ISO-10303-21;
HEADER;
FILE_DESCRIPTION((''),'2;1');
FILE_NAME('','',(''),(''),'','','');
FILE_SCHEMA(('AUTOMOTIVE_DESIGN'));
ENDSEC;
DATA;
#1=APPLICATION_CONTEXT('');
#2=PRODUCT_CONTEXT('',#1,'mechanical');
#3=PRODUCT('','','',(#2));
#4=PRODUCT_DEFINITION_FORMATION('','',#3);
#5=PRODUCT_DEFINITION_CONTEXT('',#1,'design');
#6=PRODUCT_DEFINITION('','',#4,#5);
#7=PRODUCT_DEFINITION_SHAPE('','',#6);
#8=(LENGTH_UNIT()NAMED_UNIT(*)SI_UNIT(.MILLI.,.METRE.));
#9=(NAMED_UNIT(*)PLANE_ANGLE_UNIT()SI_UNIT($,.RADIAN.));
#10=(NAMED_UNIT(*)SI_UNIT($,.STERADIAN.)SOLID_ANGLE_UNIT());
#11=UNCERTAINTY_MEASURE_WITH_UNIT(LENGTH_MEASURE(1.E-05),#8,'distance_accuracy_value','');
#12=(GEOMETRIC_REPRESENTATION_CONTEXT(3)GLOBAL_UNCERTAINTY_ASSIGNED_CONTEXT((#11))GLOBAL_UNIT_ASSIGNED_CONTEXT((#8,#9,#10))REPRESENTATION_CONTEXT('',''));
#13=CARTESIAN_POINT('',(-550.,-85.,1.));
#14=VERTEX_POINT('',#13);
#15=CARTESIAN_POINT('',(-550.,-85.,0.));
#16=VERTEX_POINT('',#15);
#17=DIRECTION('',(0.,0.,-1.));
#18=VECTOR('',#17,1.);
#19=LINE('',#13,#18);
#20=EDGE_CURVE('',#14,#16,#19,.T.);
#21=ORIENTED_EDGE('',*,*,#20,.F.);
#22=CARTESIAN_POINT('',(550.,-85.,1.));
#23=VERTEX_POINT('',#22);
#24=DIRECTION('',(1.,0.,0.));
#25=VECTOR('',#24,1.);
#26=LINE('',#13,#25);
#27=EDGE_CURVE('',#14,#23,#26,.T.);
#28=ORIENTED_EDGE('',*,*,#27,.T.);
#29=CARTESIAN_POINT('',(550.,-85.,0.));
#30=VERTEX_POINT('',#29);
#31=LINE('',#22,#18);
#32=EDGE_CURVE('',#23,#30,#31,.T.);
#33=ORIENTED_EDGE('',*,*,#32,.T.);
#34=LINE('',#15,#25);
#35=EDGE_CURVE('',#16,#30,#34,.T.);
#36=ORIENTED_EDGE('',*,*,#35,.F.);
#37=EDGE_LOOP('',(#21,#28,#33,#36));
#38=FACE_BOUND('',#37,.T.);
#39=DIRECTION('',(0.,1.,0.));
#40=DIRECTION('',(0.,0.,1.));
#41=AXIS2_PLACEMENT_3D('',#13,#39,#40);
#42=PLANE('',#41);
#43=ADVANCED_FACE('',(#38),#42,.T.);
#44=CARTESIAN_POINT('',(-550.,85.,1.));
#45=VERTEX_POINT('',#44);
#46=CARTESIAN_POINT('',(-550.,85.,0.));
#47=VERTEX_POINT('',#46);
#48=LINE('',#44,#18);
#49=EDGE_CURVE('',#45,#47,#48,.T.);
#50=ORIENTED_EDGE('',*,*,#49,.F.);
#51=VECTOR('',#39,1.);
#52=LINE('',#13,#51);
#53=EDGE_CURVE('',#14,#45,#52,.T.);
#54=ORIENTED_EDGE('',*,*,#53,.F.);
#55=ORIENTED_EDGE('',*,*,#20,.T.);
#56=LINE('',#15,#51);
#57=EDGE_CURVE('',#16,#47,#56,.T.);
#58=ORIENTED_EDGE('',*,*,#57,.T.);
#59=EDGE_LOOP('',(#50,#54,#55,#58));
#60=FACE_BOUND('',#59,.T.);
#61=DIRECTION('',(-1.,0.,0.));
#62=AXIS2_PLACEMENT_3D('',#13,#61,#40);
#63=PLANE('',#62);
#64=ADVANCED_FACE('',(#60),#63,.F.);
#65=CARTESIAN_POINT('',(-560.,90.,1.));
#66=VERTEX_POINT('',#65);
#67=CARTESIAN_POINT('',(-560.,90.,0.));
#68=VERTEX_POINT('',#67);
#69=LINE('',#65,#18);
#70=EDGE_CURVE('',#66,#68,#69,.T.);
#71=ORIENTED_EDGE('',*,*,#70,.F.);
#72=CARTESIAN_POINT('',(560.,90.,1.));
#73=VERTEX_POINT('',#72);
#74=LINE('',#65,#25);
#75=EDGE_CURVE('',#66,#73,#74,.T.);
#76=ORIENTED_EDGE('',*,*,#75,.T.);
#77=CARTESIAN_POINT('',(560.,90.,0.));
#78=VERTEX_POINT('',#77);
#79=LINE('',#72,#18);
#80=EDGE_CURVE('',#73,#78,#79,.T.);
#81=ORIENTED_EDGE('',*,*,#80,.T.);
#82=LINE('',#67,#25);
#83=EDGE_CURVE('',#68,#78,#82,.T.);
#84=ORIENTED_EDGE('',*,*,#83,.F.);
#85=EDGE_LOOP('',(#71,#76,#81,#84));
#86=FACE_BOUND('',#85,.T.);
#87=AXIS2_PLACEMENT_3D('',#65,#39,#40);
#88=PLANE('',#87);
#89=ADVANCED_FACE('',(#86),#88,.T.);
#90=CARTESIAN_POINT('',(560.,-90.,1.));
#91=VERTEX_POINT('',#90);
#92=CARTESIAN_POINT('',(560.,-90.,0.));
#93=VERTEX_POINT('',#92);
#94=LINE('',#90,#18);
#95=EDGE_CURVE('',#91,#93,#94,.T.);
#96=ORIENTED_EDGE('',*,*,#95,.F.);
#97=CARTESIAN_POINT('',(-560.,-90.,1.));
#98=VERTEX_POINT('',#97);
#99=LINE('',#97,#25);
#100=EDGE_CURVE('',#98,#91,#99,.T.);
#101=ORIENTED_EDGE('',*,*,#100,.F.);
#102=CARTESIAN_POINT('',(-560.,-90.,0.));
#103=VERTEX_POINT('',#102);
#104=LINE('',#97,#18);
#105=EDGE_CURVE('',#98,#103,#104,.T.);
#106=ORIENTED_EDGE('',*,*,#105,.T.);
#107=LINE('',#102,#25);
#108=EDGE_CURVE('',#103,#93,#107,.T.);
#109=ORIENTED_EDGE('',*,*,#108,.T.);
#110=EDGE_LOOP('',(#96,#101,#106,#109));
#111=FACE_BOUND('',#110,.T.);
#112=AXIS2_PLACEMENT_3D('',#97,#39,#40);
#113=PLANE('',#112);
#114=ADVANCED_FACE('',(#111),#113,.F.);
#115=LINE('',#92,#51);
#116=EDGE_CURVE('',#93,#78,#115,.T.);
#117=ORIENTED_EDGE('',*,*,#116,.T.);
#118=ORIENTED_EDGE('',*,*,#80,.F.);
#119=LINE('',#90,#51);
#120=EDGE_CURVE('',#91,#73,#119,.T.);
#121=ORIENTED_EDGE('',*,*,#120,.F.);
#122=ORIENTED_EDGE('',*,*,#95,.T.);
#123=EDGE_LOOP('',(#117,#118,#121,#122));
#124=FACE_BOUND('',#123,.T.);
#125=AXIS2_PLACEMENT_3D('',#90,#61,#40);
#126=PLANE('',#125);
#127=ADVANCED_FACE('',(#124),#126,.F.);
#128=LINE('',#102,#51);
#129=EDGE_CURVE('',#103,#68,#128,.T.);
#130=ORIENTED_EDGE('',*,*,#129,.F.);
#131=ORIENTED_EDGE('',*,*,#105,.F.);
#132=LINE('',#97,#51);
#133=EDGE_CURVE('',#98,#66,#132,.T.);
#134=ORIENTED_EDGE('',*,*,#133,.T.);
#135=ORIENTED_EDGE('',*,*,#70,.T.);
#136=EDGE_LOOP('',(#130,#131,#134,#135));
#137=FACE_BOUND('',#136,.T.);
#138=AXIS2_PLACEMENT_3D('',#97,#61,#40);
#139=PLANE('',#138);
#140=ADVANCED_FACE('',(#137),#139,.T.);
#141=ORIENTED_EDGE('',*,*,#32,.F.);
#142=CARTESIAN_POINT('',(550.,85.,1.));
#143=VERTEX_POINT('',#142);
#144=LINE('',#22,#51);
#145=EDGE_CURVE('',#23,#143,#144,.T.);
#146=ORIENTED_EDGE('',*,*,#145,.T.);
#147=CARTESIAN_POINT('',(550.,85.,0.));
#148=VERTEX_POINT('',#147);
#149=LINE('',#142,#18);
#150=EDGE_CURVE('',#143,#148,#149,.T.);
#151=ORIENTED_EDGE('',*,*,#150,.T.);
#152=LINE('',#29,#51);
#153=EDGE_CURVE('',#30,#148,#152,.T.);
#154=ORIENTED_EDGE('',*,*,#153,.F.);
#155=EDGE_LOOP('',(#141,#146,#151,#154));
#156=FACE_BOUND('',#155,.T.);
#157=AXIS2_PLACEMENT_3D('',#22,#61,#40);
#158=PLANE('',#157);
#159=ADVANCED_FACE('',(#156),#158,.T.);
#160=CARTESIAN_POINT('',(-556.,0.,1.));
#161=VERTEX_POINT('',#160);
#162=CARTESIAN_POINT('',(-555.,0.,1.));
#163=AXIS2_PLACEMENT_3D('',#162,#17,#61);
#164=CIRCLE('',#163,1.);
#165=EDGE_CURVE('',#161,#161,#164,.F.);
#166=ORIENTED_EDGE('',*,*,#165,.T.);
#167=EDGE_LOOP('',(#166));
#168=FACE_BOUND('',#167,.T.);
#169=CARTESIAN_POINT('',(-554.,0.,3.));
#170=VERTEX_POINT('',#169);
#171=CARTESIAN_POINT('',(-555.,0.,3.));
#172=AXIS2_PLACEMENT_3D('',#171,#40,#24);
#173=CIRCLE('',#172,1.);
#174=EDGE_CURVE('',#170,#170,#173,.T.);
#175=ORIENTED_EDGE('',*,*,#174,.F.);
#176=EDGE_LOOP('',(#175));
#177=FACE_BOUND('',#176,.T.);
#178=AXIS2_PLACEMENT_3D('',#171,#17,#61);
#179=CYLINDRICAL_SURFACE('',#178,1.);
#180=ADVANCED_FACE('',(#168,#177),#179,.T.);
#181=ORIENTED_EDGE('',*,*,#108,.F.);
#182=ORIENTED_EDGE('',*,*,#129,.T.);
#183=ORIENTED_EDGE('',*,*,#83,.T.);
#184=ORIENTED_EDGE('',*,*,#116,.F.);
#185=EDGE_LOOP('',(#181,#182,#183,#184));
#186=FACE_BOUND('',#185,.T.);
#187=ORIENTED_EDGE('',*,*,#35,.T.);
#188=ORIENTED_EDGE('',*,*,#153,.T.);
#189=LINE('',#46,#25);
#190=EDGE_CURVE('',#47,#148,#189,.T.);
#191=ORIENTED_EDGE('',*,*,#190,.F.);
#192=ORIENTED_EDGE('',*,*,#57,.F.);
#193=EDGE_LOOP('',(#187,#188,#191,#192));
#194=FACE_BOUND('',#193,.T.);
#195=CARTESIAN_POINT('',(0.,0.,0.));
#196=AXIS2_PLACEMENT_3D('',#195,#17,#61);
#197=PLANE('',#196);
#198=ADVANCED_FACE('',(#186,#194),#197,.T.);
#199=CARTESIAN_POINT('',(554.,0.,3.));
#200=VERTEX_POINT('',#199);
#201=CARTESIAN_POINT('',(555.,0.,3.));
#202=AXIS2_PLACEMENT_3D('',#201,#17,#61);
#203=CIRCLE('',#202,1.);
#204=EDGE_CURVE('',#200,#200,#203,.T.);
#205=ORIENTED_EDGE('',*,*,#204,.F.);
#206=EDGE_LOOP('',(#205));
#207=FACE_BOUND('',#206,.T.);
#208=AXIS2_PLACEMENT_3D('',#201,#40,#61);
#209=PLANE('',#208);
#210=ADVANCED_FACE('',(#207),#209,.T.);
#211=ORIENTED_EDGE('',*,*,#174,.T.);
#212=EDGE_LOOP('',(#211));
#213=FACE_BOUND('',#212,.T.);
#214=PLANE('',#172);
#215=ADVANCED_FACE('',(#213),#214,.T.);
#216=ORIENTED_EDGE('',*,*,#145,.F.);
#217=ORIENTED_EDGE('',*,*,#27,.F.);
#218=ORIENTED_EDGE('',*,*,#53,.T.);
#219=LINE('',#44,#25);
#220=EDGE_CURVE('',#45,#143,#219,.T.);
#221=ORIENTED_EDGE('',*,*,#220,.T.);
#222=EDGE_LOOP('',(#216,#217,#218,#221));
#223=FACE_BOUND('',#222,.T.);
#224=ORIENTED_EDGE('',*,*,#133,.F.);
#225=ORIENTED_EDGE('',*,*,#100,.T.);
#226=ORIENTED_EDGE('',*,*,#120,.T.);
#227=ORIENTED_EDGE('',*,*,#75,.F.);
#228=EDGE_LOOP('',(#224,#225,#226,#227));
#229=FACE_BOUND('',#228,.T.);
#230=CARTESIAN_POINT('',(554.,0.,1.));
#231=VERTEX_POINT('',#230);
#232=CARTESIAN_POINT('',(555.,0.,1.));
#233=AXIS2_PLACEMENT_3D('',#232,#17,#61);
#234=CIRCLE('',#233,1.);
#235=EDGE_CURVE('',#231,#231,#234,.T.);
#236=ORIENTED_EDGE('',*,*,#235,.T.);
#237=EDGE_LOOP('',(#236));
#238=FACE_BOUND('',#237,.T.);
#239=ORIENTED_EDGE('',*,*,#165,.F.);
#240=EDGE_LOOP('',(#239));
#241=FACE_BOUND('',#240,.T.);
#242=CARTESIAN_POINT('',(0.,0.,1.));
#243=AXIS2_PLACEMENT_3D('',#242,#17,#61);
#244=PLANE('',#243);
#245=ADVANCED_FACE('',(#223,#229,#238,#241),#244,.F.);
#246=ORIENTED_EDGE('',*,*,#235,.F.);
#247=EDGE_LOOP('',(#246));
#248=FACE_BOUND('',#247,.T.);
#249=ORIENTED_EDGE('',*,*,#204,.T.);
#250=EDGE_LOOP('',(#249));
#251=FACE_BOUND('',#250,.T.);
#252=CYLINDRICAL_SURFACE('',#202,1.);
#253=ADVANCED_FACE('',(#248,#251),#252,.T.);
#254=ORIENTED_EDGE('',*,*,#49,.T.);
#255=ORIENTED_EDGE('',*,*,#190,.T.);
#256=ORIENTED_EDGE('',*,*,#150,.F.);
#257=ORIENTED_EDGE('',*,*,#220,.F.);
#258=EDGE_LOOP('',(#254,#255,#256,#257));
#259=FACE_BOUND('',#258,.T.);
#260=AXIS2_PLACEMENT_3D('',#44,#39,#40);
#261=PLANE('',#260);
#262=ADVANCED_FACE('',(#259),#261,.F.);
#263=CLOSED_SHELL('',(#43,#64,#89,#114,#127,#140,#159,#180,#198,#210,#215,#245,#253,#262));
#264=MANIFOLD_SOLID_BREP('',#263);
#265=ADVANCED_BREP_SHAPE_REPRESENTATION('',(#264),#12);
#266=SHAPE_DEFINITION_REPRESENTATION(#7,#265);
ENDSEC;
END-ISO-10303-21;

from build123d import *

# Parameters (mm, degrees)
SKETCH1_W           = 1120
SKETCH1_H           = 180
SKETCH1_W_2         = 1100
SKETCH1_H_2         = 170
BOSS_EXTRUDE1_DEPTH = 1
SKETCH2_R           = 1
BOSS_EXTRUDE2_DEPTH = 2


with BuildPart() as part:
    # Sketch1 → Boss-Extrude1 (new body)
    with BuildSketch(Plane.XY):
        Rectangle(SKETCH1_W, SKETCH1_H)
        Rectangle(SKETCH1_W_2, SKETCH1_H_2, mode=Mode.SUBTRACT)
    extrude(amount=BOSS_EXTRUDE1_DEPTH)

    # Sketch2 → Boss-Extrude2 (add)
    with BuildSketch(Plane.XY.offset(1)):
        with Locations((-555, 0)):
            Circle(SKETCH2_R)
    boss_extrude2 = extrude(amount=BOSS_EXTRUDE2_DEPTH)

    # Mirror1: Boss-Extrude2 across plane
    add(boss_extrude2.mirror(Plane(origin=(0, 0, 0), x_dir=(0, 0, 1), z_dir=(1, 0, 0))))


solid = part.part
